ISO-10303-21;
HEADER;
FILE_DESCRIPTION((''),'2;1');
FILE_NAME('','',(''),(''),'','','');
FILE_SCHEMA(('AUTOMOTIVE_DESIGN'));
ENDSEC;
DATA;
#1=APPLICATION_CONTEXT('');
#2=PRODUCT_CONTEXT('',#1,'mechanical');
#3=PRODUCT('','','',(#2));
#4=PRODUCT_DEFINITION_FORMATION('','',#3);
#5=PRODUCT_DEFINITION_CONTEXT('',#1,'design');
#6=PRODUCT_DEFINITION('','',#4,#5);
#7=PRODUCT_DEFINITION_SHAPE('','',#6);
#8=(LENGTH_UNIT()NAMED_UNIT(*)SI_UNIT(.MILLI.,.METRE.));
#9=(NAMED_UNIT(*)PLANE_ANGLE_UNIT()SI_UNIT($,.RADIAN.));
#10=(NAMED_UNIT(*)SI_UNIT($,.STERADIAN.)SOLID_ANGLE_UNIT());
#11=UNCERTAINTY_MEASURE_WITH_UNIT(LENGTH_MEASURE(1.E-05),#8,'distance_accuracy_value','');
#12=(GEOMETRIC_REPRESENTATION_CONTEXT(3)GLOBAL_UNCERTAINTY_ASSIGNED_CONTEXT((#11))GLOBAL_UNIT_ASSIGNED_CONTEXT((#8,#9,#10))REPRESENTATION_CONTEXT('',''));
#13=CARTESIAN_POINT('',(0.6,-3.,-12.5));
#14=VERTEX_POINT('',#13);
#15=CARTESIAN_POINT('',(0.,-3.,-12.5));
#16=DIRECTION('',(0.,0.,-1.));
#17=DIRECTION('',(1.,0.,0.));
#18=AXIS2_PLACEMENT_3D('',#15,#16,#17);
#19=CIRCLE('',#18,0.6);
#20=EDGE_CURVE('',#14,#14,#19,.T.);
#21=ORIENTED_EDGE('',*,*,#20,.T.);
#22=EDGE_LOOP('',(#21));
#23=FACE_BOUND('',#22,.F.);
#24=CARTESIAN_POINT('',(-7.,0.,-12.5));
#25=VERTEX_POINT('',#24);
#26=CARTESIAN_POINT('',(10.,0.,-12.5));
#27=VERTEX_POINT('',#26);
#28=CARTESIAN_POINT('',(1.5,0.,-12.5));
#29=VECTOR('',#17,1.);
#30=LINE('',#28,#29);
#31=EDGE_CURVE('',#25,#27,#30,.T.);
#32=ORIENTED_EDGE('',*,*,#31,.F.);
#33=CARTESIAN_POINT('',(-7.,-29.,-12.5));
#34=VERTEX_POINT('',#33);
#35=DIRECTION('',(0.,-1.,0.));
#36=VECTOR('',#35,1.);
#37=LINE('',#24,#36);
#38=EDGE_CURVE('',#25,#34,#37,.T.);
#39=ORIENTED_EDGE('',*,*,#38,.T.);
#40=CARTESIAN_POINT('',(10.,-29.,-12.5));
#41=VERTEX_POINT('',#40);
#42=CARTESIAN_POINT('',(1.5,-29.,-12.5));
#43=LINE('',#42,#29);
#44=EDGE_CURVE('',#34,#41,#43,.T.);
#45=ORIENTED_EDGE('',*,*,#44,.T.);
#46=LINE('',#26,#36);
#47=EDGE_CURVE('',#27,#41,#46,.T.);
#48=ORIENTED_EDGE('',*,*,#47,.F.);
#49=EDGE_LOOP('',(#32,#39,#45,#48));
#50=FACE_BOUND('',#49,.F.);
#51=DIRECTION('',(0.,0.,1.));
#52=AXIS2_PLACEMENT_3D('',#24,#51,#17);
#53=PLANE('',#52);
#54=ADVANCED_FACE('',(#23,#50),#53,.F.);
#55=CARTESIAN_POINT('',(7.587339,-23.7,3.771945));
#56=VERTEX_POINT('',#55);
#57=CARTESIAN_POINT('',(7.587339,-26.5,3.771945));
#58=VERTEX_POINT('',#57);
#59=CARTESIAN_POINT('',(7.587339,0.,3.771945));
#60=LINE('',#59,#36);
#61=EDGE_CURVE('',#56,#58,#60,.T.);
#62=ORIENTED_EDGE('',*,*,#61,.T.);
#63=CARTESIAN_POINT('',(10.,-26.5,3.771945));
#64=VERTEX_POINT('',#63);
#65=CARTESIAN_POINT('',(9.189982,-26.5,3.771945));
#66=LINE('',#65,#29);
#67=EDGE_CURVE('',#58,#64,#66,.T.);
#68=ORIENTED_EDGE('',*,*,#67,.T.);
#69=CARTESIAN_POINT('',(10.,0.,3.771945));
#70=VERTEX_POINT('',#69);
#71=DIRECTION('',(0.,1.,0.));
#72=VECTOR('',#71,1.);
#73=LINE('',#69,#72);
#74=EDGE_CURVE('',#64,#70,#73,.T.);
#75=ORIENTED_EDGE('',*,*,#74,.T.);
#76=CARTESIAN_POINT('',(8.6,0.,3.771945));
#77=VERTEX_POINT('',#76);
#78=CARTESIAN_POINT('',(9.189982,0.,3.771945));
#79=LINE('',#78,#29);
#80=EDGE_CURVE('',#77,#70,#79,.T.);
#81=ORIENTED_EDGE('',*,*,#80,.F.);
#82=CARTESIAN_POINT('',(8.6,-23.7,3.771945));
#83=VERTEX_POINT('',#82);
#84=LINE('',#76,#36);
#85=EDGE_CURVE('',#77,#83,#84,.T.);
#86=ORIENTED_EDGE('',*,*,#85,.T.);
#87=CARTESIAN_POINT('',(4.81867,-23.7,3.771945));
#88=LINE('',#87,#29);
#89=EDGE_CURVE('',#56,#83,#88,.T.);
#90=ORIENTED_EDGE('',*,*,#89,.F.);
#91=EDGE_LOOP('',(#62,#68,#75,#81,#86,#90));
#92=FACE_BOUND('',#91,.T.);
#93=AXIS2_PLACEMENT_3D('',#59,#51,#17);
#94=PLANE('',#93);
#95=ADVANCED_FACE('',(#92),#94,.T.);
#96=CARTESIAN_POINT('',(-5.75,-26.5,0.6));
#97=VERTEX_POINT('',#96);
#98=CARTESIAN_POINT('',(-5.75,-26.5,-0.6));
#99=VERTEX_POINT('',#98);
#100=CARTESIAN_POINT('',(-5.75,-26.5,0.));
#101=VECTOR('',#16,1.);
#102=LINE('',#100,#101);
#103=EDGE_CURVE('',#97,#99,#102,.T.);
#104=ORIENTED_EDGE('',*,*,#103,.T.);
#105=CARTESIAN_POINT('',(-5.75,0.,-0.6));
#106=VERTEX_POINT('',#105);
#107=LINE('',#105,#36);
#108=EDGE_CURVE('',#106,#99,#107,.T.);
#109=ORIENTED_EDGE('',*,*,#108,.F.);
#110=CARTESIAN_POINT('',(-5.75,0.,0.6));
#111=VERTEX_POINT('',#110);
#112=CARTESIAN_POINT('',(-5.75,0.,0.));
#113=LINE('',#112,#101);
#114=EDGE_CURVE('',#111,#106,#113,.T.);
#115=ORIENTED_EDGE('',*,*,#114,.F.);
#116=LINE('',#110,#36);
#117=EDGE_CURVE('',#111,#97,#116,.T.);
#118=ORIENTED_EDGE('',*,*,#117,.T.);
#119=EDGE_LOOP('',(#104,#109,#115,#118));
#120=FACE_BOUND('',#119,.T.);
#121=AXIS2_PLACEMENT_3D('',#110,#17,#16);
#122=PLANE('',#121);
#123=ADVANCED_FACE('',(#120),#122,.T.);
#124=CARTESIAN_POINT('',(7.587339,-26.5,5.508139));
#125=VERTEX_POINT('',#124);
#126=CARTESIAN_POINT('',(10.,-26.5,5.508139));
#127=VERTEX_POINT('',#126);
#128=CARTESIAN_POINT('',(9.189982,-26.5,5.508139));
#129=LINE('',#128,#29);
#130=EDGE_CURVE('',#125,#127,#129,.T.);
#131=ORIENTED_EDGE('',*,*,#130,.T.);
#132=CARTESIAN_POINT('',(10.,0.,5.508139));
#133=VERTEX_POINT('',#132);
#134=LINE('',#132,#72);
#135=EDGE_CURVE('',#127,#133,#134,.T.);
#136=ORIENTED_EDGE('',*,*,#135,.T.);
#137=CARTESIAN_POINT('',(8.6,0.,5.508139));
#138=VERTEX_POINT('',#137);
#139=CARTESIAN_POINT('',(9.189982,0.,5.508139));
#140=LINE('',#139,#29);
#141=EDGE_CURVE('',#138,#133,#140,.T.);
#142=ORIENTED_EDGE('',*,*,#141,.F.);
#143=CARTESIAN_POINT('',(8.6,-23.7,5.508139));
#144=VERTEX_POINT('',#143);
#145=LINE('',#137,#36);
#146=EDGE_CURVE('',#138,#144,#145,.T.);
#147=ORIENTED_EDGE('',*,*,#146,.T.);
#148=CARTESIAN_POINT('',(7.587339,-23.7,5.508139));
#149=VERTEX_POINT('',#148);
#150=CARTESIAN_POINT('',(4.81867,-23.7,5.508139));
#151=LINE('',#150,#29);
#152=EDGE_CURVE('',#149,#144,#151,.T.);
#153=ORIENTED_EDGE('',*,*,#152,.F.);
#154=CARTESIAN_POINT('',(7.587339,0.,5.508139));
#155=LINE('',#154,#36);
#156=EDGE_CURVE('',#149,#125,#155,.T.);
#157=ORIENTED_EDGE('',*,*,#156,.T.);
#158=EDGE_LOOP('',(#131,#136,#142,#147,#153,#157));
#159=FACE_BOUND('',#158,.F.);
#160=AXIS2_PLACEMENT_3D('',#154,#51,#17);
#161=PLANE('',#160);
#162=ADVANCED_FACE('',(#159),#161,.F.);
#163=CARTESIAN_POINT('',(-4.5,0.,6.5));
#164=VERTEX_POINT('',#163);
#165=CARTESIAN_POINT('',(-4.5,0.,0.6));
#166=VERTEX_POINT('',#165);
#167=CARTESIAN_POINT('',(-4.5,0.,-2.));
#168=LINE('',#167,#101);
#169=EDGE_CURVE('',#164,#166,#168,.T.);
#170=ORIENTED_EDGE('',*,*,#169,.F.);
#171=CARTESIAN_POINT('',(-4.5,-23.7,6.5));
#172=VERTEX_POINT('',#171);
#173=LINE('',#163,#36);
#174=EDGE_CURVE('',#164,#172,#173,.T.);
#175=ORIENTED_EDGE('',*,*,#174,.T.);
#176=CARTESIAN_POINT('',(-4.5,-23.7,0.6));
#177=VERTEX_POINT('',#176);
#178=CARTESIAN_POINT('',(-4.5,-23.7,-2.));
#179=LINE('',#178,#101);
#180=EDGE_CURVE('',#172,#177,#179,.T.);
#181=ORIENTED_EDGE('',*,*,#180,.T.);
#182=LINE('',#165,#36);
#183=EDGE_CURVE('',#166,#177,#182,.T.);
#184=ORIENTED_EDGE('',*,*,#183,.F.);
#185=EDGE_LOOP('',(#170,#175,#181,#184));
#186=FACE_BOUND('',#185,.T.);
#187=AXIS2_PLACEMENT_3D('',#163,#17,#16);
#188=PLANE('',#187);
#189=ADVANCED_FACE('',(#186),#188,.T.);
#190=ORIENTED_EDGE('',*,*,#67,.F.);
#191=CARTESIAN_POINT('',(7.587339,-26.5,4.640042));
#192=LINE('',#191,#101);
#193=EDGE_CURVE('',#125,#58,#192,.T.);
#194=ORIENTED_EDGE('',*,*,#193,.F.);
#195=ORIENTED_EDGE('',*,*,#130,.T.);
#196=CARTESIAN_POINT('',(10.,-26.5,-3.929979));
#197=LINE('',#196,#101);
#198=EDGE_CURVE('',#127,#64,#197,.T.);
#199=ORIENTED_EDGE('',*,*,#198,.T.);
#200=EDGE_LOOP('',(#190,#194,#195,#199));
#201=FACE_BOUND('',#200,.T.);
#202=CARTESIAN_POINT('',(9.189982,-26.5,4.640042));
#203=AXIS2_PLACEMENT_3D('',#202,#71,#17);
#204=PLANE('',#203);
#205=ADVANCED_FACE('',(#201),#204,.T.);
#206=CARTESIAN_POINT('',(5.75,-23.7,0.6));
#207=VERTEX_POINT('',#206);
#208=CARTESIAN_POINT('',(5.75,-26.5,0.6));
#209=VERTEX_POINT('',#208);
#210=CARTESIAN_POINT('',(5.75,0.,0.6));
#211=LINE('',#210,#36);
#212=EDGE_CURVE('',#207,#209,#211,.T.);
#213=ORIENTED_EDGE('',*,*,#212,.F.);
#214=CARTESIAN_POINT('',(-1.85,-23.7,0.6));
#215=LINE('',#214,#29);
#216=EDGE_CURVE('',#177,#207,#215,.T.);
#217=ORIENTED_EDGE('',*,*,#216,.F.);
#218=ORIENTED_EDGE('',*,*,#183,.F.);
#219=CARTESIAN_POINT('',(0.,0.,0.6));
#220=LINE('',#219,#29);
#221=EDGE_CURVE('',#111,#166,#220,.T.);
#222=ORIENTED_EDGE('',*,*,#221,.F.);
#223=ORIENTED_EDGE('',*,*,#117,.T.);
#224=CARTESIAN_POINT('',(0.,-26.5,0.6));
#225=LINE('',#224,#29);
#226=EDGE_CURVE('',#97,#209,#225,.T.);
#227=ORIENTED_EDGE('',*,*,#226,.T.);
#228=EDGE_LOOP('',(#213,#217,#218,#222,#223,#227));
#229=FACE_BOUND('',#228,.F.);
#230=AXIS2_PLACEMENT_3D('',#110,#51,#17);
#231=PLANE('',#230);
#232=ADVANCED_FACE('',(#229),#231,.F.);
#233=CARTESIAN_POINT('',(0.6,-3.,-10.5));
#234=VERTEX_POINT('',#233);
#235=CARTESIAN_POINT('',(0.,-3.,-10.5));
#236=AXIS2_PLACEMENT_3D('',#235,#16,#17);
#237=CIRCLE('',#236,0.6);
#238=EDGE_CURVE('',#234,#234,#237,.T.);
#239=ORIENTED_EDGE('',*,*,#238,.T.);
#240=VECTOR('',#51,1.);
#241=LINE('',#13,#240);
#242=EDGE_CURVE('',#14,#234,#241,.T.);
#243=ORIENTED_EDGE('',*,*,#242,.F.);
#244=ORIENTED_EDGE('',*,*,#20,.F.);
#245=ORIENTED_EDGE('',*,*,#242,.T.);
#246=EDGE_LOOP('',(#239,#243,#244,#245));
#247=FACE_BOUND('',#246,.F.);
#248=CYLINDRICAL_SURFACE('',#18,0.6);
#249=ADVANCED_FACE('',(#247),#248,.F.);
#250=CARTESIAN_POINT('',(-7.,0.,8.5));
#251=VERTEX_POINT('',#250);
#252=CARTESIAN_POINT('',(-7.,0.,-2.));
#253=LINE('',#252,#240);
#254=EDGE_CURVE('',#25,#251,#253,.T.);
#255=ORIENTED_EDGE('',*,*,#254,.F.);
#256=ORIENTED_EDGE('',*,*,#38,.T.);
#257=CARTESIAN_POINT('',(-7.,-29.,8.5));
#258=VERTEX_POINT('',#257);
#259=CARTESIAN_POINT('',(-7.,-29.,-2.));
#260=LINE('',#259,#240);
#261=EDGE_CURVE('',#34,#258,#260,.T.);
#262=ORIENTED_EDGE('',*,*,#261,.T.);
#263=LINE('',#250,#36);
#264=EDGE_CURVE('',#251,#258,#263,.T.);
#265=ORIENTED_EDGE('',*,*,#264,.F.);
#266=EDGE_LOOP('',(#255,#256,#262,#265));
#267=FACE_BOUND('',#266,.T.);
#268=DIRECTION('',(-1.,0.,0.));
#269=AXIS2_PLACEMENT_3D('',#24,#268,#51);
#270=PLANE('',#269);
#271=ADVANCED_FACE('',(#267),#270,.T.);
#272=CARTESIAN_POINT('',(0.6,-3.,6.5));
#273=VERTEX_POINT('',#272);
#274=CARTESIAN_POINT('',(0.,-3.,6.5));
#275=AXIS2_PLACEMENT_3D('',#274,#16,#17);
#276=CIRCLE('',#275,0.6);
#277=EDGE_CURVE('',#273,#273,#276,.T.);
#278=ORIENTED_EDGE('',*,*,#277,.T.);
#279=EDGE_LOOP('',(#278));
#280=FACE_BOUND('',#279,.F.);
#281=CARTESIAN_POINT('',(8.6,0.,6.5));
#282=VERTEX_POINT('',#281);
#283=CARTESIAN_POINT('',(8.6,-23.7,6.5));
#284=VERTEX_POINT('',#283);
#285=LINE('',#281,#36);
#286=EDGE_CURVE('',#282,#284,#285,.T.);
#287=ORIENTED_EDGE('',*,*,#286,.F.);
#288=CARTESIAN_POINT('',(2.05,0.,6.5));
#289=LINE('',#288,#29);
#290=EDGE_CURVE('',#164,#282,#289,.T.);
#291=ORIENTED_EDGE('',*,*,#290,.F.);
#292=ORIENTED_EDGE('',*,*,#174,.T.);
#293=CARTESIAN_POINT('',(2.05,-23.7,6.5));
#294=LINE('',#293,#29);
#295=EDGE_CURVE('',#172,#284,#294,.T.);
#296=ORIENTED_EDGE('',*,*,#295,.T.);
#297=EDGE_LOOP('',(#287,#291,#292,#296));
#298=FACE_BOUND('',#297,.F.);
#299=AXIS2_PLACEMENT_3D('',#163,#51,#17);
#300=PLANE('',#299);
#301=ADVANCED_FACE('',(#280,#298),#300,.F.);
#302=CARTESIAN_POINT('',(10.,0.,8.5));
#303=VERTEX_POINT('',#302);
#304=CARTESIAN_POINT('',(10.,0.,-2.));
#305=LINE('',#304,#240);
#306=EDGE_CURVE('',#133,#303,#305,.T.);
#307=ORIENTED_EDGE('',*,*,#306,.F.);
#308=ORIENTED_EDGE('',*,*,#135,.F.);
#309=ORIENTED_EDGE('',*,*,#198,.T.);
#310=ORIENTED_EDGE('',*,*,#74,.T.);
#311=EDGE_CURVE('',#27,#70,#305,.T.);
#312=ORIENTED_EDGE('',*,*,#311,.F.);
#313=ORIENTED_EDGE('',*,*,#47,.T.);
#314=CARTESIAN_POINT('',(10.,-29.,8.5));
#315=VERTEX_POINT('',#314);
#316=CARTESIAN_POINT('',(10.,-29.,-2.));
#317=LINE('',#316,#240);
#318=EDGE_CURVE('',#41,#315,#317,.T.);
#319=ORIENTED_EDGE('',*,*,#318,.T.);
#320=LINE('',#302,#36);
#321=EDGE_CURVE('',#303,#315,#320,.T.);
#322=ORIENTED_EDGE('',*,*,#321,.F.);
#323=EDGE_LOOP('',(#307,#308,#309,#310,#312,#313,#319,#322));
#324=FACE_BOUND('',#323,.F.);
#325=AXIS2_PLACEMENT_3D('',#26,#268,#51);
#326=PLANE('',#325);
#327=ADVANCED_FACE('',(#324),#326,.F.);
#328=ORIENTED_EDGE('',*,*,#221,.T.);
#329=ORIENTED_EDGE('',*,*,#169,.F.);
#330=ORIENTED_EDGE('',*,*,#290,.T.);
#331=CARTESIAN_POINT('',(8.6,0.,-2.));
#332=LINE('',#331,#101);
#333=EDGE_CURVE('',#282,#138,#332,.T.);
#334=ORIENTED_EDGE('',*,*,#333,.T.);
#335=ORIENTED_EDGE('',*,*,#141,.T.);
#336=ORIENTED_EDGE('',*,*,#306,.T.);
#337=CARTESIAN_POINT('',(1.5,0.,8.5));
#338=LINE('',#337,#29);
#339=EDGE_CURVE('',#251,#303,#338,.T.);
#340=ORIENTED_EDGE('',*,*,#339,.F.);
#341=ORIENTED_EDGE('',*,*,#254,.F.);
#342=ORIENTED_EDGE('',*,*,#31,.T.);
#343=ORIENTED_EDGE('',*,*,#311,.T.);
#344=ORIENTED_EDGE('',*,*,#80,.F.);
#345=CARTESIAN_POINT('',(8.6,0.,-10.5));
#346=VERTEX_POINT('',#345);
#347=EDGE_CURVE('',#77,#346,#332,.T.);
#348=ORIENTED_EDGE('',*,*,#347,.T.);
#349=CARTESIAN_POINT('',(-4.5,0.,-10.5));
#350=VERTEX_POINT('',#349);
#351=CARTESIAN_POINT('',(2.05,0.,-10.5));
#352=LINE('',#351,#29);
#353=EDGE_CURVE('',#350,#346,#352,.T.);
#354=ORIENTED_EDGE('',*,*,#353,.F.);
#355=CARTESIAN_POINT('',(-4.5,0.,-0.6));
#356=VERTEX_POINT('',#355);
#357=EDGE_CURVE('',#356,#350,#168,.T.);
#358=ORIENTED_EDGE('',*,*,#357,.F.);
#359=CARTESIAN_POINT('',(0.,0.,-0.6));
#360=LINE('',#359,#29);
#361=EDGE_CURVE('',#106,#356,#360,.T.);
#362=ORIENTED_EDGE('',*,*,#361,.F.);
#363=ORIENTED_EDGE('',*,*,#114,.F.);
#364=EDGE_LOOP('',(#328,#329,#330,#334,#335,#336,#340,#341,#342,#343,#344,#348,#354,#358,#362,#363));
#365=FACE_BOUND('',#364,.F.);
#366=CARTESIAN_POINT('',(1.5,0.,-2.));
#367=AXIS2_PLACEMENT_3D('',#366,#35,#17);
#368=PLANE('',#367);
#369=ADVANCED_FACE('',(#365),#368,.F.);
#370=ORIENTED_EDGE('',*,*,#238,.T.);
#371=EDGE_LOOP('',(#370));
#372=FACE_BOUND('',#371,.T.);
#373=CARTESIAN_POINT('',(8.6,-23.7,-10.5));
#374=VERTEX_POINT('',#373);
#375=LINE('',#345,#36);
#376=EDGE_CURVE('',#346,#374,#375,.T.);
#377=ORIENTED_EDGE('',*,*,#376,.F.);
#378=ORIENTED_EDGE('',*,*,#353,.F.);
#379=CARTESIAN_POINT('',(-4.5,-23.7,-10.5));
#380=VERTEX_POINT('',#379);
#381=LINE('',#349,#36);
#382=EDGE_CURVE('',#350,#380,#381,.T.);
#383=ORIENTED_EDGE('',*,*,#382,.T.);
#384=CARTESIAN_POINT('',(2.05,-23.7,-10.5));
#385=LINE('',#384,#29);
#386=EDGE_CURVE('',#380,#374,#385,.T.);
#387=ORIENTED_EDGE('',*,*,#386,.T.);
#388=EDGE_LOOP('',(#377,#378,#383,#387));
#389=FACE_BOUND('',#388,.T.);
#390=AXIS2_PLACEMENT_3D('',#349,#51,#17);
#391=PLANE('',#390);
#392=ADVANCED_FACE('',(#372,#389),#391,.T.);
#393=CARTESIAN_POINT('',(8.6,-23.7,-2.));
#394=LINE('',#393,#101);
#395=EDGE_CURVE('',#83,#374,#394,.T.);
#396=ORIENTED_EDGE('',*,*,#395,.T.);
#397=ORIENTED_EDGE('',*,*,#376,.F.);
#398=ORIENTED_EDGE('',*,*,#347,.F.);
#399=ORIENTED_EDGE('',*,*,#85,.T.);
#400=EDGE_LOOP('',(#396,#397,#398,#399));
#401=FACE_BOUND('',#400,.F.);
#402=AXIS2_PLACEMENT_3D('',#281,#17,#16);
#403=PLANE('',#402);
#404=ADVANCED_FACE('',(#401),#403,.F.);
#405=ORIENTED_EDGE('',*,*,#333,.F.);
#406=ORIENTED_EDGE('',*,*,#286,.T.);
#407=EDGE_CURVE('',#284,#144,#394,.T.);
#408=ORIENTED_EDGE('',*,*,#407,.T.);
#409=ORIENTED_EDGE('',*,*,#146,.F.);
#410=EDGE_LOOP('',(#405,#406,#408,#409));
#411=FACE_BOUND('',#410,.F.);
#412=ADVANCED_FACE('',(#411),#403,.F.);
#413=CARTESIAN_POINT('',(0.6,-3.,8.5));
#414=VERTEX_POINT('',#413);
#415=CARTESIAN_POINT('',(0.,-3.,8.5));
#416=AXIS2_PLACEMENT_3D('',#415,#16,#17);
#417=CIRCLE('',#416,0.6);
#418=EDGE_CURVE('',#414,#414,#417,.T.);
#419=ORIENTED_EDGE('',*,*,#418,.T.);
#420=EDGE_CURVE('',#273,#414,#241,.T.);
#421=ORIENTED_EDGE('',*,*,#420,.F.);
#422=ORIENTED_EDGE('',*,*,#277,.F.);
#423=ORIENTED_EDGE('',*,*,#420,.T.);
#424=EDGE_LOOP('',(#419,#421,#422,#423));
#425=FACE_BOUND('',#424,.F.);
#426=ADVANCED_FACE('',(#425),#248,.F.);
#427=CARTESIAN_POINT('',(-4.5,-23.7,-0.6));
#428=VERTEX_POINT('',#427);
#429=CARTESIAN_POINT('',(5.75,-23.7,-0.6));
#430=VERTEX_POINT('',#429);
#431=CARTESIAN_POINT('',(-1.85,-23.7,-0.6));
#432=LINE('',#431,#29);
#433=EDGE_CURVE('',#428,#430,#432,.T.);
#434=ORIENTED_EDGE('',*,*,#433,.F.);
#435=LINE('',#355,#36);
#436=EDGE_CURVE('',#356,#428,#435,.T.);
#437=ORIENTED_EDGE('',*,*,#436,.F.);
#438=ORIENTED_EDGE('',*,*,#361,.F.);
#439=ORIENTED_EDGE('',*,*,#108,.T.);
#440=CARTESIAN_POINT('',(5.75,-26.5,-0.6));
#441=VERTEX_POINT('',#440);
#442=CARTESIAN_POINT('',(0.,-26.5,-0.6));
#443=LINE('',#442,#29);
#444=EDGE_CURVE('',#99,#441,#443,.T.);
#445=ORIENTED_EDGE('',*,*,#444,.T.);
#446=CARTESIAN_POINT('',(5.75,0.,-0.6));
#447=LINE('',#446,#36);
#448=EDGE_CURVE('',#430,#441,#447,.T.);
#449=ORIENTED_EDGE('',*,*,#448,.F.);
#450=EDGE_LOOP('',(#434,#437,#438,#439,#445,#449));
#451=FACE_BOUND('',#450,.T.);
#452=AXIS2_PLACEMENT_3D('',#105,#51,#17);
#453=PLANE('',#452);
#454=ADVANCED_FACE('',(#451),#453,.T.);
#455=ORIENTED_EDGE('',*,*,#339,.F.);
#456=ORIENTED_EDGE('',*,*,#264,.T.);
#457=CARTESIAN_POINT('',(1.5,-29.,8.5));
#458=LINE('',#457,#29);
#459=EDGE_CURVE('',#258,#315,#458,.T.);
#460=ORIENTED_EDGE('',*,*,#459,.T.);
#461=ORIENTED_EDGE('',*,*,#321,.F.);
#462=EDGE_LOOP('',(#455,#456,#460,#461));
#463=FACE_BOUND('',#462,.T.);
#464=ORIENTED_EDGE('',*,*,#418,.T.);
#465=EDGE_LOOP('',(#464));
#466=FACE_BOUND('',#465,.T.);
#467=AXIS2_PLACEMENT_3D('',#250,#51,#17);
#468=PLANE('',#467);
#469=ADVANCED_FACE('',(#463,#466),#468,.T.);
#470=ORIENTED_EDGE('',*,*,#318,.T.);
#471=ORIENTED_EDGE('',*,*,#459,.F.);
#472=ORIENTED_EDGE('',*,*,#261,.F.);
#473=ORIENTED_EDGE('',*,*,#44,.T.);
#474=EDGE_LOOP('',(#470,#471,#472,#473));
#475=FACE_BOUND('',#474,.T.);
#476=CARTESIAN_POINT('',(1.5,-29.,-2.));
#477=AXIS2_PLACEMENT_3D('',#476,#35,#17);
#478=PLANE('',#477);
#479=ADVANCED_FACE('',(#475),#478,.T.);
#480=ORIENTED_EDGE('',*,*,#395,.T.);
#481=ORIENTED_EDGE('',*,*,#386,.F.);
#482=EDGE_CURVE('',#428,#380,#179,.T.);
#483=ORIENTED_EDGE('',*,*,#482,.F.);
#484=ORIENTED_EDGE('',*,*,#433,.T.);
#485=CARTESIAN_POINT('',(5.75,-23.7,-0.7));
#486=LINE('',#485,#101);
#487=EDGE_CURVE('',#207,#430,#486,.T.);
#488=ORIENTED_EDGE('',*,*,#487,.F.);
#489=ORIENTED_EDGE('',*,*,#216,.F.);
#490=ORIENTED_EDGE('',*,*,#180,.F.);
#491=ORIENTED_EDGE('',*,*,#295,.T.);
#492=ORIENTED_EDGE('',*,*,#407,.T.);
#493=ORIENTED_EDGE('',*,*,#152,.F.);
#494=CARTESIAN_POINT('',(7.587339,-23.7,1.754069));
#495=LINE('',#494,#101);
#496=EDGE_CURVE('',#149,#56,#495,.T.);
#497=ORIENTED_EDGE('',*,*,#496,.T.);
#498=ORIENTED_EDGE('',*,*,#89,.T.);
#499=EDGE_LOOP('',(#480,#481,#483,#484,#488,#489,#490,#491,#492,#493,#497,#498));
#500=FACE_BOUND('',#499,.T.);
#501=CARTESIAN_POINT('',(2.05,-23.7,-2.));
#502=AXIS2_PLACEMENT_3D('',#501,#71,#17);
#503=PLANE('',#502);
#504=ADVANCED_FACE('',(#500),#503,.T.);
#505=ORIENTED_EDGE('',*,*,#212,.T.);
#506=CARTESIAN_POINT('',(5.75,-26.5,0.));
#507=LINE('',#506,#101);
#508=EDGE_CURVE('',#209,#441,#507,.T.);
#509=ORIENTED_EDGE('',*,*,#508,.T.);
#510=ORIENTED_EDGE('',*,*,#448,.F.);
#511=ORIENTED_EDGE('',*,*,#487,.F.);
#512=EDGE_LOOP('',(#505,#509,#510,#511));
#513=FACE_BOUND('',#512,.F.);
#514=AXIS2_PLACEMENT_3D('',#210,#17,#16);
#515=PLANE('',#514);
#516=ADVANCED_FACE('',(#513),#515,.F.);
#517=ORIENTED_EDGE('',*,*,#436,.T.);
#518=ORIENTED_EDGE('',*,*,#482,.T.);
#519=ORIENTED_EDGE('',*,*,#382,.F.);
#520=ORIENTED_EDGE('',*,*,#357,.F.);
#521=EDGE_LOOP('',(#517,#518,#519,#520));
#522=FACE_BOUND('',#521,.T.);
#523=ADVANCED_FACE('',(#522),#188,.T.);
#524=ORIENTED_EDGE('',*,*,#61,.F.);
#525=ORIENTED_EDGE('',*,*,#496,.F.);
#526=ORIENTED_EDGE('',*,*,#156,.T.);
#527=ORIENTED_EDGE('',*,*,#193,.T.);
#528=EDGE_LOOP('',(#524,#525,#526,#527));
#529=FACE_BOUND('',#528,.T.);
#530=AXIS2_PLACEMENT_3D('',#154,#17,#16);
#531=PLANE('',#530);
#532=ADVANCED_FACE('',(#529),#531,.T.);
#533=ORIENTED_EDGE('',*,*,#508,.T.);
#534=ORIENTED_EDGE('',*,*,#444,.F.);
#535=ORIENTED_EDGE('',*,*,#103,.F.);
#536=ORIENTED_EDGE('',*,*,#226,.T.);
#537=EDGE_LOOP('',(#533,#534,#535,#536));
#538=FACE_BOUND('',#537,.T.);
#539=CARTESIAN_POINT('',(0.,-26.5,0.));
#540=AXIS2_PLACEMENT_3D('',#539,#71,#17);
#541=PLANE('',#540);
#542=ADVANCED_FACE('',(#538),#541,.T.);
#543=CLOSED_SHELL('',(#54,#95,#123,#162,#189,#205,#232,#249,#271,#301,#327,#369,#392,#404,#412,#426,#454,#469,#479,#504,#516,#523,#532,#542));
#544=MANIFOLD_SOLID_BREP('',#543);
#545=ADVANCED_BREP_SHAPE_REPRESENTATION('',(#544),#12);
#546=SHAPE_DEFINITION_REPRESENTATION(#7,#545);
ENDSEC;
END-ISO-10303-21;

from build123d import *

# Parameters (mm, degrees)
SKETCH012_W     = 17
SKETCH012_H     = 21
PAD009_DEPTH    = 29
SKETCH013_W     = 13.1
SKETCH013_H     = 17
POCKET001_DEPTH = 23.7
SKETCH014_W     = 11.5
SKETCH014_H     = 1.2
SKETCH014_W_2   = 3.205285
SKETCH014_H_2   = 1.736194
POCKET002_DEPTH = 26.5
SKETCH016_R     = 0.6
POCKET003_DEPTH = 27


with BuildPart() as part:
    # Sketch012 → Pad009 (new body)
    with BuildSketch(Plane.XZ):
        with Locations((1.5, -2)):
            Rectangle(SKETCH012_W, SKETCH012_H)
    extrude(amount=PAD009_DEPTH)

    # Sketch013 (on Face5 of Pad009) → Pocket001 (cut)
    with BuildSketch(Plane(origin=(0, 0, 0), x_dir=(1, 0, 0), z_dir=(0, 1, 0))):
        with Locations((2.05, 2)):
            Rectangle(SKETCH013_W, SKETCH013_H)
    extrude(amount=-POCKET001_DEPTH, mode=Mode.SUBTRACT)

    # Sketch014 (on Face4 of Pocket001) → Pocket002 (cut)
    with BuildSketch(Plane(origin=(0, 0, 0), x_dir=(1, 0, 0), z_dir=(0, 1, 0))):
        Rectangle(SKETCH014_W, SKETCH014_H)
        with Locations((9.189982, -4.640042)):
            Rectangle(SKETCH014_W_2, SKETCH014_H_2)
    extrude(amount=-POCKET002_DEPTH, mode=Mode.SUBTRACT)

    # Sketch016 (on Face6 of Pocket002) → Pocket003 (cut)
    with BuildSketch(Plane(origin=(0, 0, -12.5), x_dir=(1, 0, 0), z_dir=(0, 0, -1))):
        with Locations((0, 3)):
            Circle(SKETCH016_R)
    extrude(amount=-POCKET003_DEPTH, mode=Mode.SUBTRACT)


solid = part.part
